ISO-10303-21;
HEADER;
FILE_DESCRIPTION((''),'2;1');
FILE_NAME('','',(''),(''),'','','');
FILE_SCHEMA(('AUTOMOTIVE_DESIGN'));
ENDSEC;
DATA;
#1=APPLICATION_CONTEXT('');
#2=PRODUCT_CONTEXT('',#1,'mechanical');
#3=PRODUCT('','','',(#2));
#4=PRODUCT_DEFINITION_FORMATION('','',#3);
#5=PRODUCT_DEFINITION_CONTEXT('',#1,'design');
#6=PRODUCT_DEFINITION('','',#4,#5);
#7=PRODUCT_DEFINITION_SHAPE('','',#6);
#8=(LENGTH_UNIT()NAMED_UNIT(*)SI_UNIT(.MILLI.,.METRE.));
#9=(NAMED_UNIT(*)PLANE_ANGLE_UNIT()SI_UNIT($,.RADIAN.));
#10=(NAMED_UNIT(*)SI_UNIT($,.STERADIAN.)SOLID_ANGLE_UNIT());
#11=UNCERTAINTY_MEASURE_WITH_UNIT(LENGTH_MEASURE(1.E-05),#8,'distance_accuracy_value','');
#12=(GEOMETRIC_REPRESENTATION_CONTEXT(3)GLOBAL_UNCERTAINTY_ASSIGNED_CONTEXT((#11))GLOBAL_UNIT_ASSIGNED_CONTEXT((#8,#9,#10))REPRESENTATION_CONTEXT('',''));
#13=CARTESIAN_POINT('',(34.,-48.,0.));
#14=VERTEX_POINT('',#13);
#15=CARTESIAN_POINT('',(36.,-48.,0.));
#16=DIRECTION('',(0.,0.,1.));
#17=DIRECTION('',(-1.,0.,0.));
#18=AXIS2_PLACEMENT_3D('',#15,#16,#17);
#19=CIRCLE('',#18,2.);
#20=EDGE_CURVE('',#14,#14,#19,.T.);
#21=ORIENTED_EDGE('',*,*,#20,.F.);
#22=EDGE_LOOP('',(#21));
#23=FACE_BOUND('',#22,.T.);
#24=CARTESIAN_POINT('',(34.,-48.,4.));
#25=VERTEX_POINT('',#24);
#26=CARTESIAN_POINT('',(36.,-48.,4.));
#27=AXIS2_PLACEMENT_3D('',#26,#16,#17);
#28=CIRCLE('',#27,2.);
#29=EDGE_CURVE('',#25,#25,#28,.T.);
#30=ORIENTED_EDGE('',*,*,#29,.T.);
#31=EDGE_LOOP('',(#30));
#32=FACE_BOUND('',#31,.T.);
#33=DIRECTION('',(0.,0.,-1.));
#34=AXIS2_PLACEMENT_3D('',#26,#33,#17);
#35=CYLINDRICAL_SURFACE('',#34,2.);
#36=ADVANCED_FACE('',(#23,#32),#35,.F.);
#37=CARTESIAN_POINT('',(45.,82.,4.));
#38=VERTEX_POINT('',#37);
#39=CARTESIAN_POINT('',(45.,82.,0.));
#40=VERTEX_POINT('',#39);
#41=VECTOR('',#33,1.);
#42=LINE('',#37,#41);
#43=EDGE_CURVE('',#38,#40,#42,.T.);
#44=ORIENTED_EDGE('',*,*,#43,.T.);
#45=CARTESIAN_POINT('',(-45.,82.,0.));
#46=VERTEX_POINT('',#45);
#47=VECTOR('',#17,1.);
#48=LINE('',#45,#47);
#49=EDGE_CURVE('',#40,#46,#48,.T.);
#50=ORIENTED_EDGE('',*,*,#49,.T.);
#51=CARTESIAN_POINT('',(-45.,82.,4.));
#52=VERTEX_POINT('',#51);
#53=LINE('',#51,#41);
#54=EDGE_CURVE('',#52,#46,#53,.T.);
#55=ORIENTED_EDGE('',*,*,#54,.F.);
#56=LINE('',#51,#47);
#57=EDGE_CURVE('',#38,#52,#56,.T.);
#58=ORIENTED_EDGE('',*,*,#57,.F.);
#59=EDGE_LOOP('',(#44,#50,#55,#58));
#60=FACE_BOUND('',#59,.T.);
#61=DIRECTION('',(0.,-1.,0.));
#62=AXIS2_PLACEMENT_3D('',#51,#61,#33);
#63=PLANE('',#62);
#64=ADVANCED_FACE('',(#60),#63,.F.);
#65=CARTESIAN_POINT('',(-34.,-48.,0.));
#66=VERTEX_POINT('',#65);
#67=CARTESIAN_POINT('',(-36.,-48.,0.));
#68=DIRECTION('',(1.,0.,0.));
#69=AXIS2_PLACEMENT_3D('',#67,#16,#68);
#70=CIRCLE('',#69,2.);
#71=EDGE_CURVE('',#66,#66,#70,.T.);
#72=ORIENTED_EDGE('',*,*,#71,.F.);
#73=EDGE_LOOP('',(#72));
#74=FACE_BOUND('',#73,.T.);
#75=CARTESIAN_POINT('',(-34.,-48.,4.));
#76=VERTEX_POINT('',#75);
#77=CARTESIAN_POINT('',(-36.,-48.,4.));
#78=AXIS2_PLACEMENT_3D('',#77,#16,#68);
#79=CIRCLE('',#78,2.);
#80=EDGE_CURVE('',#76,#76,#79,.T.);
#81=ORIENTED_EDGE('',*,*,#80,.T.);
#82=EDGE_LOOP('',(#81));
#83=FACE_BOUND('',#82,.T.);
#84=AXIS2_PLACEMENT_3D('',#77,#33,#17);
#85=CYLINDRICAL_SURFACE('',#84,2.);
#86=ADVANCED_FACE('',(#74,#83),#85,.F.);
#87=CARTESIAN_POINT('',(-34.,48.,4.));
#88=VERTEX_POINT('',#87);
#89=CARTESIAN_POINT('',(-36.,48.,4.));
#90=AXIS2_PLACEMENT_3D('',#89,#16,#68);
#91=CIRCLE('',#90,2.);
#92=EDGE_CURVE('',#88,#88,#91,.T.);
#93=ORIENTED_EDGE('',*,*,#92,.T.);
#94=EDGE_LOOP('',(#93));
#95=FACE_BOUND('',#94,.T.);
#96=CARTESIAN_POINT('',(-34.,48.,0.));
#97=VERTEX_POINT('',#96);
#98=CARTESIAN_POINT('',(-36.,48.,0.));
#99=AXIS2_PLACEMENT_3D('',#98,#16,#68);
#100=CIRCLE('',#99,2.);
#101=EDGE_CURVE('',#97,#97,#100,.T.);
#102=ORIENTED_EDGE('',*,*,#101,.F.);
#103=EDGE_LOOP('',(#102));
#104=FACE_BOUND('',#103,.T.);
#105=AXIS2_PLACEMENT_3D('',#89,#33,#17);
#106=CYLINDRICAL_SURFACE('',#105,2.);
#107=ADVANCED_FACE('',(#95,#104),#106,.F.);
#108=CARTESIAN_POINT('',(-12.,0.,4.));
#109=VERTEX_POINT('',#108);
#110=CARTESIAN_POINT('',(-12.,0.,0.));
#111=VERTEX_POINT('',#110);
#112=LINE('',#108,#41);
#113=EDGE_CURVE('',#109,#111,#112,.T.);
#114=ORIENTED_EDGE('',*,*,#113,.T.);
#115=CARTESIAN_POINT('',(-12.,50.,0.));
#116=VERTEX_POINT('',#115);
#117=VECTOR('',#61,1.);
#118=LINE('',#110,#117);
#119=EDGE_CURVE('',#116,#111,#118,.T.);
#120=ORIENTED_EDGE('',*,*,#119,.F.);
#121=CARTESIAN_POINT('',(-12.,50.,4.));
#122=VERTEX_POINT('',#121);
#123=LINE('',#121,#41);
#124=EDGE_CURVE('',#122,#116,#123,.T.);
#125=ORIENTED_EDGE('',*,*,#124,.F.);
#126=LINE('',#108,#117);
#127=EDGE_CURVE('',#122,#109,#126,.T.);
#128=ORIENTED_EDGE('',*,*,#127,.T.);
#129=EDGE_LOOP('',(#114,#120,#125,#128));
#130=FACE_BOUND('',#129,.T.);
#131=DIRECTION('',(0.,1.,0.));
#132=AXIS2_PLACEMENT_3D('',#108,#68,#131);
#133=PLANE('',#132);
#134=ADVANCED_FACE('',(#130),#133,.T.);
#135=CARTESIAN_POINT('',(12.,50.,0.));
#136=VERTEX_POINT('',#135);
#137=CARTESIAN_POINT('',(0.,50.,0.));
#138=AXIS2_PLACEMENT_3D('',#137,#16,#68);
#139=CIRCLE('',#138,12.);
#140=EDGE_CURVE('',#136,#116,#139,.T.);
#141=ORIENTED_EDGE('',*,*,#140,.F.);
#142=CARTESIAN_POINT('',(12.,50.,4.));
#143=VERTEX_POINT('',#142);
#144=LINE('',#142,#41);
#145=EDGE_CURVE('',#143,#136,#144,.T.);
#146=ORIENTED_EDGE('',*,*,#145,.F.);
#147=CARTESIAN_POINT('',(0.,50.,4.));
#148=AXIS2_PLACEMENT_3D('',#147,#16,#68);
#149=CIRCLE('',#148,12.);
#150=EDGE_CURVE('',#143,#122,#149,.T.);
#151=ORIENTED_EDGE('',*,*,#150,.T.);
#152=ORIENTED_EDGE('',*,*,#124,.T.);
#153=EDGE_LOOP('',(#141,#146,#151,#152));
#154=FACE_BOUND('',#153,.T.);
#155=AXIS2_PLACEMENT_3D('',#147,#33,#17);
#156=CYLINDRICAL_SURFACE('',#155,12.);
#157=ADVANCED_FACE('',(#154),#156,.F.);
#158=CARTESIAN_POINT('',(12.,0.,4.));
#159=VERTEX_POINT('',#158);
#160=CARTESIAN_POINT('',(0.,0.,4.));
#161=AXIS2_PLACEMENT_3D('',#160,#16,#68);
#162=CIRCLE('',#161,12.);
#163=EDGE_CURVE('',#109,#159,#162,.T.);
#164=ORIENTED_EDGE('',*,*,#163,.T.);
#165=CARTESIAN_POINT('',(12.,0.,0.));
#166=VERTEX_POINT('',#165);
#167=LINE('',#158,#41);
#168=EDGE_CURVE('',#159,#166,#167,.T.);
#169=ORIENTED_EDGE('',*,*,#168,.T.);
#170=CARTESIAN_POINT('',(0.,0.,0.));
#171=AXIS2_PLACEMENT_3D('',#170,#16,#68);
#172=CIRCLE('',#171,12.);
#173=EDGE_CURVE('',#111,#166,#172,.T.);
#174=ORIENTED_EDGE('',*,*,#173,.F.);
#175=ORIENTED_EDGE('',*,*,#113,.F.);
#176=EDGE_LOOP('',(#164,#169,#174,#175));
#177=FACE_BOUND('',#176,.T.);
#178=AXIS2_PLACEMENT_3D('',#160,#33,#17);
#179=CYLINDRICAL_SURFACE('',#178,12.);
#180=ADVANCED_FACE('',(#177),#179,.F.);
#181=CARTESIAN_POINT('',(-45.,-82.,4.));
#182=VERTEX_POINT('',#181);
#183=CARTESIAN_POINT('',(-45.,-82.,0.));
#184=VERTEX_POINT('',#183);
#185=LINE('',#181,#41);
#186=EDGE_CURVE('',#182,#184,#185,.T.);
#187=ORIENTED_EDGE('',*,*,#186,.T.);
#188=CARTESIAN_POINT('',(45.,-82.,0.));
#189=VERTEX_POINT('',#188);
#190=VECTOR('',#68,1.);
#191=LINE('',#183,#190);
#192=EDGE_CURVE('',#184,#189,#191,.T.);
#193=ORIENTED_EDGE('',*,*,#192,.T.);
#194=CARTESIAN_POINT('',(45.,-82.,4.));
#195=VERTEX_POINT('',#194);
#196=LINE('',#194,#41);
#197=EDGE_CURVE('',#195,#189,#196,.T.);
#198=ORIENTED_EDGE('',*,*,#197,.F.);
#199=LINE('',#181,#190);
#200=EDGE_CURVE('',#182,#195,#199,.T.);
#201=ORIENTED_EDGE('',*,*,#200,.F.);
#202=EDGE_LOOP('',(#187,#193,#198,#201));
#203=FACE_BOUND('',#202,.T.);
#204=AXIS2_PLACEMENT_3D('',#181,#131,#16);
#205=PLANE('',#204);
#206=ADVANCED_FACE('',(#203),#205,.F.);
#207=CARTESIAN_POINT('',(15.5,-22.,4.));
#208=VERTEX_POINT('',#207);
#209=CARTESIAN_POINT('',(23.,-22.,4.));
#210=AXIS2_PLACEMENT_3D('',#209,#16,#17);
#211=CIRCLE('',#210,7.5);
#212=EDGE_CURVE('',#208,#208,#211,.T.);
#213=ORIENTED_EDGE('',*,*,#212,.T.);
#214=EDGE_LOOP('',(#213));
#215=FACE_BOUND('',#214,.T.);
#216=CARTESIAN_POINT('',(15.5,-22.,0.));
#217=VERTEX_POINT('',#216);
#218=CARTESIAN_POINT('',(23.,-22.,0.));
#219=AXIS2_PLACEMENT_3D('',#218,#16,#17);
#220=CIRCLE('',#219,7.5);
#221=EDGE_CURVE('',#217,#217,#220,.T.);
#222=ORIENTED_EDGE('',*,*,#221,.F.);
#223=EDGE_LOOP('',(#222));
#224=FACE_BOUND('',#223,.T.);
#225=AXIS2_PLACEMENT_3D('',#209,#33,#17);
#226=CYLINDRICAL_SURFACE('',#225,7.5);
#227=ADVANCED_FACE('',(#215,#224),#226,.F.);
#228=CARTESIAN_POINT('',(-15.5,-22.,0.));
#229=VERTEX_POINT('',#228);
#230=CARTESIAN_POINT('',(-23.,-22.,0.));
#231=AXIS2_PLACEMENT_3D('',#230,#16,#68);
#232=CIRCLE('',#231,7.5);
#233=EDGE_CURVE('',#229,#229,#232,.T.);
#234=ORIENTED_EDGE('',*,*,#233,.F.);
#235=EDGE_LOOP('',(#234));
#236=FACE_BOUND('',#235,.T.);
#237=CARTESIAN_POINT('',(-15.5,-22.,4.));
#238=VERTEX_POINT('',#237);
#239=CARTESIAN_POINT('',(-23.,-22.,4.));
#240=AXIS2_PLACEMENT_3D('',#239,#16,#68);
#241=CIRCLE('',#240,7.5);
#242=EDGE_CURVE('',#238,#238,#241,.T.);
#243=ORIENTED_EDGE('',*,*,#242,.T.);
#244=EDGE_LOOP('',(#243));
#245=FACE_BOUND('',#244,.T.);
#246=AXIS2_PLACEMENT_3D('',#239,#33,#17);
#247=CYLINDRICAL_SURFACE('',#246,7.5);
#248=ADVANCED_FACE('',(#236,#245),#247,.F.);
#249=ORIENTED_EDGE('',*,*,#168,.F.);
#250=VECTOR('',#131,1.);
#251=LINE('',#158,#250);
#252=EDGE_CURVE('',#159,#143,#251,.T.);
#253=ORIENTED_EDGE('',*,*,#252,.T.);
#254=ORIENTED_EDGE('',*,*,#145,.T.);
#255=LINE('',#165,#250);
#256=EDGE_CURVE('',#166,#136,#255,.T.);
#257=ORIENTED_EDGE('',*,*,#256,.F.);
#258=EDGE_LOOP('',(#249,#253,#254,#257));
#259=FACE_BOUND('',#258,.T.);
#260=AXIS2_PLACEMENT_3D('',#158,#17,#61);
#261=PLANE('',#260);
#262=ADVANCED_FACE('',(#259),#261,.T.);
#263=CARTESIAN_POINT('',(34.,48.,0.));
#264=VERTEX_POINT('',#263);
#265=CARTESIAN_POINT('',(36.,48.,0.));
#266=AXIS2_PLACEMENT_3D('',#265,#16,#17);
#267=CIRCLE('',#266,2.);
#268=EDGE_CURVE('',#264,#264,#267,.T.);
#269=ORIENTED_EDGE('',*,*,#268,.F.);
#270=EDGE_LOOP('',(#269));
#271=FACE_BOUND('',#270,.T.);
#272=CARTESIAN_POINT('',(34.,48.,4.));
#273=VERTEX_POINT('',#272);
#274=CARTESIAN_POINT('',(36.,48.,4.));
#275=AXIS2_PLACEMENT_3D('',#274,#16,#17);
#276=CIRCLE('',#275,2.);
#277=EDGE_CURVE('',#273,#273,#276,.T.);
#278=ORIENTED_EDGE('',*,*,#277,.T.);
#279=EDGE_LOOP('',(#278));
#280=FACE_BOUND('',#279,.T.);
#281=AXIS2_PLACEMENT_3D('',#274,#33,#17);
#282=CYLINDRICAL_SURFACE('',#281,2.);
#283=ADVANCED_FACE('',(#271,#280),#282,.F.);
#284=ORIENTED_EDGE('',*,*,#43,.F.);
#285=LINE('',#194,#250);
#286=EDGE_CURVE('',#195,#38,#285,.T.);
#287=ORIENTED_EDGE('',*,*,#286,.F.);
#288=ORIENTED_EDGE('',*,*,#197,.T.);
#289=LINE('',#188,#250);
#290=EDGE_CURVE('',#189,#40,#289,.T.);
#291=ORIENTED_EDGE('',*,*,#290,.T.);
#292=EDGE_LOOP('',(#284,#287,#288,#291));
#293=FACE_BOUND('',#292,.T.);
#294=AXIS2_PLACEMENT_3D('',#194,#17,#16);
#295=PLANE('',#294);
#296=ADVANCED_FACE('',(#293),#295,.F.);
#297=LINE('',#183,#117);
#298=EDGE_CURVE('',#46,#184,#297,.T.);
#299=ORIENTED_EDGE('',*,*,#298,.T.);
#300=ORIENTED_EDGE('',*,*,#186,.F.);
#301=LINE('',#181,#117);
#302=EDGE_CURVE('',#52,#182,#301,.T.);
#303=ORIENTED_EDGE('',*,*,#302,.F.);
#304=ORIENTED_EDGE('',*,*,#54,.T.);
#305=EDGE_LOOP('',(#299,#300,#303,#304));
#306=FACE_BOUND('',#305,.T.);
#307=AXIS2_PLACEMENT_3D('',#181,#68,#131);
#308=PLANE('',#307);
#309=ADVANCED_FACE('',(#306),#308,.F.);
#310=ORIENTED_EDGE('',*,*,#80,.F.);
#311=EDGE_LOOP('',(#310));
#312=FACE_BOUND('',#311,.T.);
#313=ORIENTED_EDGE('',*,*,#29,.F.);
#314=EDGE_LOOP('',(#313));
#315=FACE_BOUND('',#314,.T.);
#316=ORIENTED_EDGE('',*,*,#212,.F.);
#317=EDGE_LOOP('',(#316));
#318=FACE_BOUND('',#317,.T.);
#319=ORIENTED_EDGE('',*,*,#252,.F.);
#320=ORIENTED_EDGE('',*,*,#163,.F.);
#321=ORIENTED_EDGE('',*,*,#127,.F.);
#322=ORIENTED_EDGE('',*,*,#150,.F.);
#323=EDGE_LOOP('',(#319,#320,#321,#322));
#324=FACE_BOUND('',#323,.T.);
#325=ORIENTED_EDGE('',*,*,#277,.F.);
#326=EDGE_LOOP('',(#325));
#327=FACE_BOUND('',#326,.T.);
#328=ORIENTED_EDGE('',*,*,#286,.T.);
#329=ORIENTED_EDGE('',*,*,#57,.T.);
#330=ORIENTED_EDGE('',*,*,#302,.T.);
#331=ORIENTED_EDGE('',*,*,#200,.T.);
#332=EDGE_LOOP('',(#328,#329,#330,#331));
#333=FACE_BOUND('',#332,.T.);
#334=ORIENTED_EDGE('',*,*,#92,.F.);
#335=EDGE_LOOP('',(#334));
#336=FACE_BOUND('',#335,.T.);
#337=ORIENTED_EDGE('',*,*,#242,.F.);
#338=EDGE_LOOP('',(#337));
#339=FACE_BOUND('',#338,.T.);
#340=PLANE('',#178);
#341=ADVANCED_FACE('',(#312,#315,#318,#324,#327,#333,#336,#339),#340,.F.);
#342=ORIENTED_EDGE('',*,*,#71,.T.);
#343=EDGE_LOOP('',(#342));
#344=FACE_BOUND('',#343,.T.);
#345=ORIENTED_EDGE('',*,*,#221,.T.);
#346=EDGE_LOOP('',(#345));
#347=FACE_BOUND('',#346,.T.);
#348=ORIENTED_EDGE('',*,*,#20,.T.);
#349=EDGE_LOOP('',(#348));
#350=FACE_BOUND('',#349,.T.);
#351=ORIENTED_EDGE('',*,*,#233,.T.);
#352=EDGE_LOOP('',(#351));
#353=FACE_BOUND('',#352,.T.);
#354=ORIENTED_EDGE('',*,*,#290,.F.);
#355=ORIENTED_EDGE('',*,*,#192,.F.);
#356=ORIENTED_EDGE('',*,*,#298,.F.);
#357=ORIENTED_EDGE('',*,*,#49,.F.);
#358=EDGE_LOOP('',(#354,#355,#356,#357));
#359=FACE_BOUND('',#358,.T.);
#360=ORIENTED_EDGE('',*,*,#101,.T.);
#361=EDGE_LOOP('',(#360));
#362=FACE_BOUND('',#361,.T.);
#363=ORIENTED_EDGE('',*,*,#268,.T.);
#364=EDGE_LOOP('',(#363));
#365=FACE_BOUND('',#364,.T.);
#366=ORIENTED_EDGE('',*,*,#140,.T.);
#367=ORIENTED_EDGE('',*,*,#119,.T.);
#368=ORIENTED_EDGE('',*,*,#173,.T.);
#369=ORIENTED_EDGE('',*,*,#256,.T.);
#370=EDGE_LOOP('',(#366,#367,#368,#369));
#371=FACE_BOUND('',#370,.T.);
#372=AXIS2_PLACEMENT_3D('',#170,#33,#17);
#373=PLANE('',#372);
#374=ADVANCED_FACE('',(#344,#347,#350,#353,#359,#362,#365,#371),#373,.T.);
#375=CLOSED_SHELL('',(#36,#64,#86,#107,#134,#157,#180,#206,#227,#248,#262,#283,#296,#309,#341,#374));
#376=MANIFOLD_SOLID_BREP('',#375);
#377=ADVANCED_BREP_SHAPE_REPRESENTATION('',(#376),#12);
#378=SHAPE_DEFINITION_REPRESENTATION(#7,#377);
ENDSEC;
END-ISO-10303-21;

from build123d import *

# Parameters (mm, degrees)
SKETCH_1_W      = 90
SKETCH_1_H      = 164
SKETCH_1_R      = 2
SKETCH_1_R_2    = 7.5
EXTRUDE_1_DEPTH = 4


with BuildPart() as part:
    # 草图1 → 凸台-拉伸1 (new body)
    with BuildSketch(Plane.XY):
        Rectangle(SKETCH_1_W, SKETCH_1_H)
        with Locations((-36, 48)):
            Circle(SKETCH_1_R, mode=Mode.SUBTRACT)
        with Locations((-36, -48)):
            Circle(SKETCH_1_R, mode=Mode.SUBTRACT)
        with Locations(Location((36, -48, 0), (0, 0, 180))):
            Circle(SKETCH_1_R, mode=Mode.SUBTRACT)
        with Locations(Location((36, 48, 0), (0, 0, 180))):
            Circle(SKETCH_1_R, mode=Mode.SUBTRACT)
        with Locations((-23, -22)):
            Circle(SKETCH_1_R_2, mode=Mode.SUBTRACT)
        with Locations(Location((23, -22, 0), (0, 0, 180))):
            Circle(SKETCH_1_R_2, mode=Mode.SUBTRACT)
        with BuildLine():
            Line((-12, 0), (-12, 50))
            ThreePointArc((-12, 50), (0, 62), (12, 50))
            Line((12, 50), (12, 0))
            ThreePointArc((12, 0), (0, -12), (-12, 0))
        make_face(mode=Mode.SUBTRACT)
    extrude(amount=EXTRUDE_1_DEPTH)


solid = part.part
